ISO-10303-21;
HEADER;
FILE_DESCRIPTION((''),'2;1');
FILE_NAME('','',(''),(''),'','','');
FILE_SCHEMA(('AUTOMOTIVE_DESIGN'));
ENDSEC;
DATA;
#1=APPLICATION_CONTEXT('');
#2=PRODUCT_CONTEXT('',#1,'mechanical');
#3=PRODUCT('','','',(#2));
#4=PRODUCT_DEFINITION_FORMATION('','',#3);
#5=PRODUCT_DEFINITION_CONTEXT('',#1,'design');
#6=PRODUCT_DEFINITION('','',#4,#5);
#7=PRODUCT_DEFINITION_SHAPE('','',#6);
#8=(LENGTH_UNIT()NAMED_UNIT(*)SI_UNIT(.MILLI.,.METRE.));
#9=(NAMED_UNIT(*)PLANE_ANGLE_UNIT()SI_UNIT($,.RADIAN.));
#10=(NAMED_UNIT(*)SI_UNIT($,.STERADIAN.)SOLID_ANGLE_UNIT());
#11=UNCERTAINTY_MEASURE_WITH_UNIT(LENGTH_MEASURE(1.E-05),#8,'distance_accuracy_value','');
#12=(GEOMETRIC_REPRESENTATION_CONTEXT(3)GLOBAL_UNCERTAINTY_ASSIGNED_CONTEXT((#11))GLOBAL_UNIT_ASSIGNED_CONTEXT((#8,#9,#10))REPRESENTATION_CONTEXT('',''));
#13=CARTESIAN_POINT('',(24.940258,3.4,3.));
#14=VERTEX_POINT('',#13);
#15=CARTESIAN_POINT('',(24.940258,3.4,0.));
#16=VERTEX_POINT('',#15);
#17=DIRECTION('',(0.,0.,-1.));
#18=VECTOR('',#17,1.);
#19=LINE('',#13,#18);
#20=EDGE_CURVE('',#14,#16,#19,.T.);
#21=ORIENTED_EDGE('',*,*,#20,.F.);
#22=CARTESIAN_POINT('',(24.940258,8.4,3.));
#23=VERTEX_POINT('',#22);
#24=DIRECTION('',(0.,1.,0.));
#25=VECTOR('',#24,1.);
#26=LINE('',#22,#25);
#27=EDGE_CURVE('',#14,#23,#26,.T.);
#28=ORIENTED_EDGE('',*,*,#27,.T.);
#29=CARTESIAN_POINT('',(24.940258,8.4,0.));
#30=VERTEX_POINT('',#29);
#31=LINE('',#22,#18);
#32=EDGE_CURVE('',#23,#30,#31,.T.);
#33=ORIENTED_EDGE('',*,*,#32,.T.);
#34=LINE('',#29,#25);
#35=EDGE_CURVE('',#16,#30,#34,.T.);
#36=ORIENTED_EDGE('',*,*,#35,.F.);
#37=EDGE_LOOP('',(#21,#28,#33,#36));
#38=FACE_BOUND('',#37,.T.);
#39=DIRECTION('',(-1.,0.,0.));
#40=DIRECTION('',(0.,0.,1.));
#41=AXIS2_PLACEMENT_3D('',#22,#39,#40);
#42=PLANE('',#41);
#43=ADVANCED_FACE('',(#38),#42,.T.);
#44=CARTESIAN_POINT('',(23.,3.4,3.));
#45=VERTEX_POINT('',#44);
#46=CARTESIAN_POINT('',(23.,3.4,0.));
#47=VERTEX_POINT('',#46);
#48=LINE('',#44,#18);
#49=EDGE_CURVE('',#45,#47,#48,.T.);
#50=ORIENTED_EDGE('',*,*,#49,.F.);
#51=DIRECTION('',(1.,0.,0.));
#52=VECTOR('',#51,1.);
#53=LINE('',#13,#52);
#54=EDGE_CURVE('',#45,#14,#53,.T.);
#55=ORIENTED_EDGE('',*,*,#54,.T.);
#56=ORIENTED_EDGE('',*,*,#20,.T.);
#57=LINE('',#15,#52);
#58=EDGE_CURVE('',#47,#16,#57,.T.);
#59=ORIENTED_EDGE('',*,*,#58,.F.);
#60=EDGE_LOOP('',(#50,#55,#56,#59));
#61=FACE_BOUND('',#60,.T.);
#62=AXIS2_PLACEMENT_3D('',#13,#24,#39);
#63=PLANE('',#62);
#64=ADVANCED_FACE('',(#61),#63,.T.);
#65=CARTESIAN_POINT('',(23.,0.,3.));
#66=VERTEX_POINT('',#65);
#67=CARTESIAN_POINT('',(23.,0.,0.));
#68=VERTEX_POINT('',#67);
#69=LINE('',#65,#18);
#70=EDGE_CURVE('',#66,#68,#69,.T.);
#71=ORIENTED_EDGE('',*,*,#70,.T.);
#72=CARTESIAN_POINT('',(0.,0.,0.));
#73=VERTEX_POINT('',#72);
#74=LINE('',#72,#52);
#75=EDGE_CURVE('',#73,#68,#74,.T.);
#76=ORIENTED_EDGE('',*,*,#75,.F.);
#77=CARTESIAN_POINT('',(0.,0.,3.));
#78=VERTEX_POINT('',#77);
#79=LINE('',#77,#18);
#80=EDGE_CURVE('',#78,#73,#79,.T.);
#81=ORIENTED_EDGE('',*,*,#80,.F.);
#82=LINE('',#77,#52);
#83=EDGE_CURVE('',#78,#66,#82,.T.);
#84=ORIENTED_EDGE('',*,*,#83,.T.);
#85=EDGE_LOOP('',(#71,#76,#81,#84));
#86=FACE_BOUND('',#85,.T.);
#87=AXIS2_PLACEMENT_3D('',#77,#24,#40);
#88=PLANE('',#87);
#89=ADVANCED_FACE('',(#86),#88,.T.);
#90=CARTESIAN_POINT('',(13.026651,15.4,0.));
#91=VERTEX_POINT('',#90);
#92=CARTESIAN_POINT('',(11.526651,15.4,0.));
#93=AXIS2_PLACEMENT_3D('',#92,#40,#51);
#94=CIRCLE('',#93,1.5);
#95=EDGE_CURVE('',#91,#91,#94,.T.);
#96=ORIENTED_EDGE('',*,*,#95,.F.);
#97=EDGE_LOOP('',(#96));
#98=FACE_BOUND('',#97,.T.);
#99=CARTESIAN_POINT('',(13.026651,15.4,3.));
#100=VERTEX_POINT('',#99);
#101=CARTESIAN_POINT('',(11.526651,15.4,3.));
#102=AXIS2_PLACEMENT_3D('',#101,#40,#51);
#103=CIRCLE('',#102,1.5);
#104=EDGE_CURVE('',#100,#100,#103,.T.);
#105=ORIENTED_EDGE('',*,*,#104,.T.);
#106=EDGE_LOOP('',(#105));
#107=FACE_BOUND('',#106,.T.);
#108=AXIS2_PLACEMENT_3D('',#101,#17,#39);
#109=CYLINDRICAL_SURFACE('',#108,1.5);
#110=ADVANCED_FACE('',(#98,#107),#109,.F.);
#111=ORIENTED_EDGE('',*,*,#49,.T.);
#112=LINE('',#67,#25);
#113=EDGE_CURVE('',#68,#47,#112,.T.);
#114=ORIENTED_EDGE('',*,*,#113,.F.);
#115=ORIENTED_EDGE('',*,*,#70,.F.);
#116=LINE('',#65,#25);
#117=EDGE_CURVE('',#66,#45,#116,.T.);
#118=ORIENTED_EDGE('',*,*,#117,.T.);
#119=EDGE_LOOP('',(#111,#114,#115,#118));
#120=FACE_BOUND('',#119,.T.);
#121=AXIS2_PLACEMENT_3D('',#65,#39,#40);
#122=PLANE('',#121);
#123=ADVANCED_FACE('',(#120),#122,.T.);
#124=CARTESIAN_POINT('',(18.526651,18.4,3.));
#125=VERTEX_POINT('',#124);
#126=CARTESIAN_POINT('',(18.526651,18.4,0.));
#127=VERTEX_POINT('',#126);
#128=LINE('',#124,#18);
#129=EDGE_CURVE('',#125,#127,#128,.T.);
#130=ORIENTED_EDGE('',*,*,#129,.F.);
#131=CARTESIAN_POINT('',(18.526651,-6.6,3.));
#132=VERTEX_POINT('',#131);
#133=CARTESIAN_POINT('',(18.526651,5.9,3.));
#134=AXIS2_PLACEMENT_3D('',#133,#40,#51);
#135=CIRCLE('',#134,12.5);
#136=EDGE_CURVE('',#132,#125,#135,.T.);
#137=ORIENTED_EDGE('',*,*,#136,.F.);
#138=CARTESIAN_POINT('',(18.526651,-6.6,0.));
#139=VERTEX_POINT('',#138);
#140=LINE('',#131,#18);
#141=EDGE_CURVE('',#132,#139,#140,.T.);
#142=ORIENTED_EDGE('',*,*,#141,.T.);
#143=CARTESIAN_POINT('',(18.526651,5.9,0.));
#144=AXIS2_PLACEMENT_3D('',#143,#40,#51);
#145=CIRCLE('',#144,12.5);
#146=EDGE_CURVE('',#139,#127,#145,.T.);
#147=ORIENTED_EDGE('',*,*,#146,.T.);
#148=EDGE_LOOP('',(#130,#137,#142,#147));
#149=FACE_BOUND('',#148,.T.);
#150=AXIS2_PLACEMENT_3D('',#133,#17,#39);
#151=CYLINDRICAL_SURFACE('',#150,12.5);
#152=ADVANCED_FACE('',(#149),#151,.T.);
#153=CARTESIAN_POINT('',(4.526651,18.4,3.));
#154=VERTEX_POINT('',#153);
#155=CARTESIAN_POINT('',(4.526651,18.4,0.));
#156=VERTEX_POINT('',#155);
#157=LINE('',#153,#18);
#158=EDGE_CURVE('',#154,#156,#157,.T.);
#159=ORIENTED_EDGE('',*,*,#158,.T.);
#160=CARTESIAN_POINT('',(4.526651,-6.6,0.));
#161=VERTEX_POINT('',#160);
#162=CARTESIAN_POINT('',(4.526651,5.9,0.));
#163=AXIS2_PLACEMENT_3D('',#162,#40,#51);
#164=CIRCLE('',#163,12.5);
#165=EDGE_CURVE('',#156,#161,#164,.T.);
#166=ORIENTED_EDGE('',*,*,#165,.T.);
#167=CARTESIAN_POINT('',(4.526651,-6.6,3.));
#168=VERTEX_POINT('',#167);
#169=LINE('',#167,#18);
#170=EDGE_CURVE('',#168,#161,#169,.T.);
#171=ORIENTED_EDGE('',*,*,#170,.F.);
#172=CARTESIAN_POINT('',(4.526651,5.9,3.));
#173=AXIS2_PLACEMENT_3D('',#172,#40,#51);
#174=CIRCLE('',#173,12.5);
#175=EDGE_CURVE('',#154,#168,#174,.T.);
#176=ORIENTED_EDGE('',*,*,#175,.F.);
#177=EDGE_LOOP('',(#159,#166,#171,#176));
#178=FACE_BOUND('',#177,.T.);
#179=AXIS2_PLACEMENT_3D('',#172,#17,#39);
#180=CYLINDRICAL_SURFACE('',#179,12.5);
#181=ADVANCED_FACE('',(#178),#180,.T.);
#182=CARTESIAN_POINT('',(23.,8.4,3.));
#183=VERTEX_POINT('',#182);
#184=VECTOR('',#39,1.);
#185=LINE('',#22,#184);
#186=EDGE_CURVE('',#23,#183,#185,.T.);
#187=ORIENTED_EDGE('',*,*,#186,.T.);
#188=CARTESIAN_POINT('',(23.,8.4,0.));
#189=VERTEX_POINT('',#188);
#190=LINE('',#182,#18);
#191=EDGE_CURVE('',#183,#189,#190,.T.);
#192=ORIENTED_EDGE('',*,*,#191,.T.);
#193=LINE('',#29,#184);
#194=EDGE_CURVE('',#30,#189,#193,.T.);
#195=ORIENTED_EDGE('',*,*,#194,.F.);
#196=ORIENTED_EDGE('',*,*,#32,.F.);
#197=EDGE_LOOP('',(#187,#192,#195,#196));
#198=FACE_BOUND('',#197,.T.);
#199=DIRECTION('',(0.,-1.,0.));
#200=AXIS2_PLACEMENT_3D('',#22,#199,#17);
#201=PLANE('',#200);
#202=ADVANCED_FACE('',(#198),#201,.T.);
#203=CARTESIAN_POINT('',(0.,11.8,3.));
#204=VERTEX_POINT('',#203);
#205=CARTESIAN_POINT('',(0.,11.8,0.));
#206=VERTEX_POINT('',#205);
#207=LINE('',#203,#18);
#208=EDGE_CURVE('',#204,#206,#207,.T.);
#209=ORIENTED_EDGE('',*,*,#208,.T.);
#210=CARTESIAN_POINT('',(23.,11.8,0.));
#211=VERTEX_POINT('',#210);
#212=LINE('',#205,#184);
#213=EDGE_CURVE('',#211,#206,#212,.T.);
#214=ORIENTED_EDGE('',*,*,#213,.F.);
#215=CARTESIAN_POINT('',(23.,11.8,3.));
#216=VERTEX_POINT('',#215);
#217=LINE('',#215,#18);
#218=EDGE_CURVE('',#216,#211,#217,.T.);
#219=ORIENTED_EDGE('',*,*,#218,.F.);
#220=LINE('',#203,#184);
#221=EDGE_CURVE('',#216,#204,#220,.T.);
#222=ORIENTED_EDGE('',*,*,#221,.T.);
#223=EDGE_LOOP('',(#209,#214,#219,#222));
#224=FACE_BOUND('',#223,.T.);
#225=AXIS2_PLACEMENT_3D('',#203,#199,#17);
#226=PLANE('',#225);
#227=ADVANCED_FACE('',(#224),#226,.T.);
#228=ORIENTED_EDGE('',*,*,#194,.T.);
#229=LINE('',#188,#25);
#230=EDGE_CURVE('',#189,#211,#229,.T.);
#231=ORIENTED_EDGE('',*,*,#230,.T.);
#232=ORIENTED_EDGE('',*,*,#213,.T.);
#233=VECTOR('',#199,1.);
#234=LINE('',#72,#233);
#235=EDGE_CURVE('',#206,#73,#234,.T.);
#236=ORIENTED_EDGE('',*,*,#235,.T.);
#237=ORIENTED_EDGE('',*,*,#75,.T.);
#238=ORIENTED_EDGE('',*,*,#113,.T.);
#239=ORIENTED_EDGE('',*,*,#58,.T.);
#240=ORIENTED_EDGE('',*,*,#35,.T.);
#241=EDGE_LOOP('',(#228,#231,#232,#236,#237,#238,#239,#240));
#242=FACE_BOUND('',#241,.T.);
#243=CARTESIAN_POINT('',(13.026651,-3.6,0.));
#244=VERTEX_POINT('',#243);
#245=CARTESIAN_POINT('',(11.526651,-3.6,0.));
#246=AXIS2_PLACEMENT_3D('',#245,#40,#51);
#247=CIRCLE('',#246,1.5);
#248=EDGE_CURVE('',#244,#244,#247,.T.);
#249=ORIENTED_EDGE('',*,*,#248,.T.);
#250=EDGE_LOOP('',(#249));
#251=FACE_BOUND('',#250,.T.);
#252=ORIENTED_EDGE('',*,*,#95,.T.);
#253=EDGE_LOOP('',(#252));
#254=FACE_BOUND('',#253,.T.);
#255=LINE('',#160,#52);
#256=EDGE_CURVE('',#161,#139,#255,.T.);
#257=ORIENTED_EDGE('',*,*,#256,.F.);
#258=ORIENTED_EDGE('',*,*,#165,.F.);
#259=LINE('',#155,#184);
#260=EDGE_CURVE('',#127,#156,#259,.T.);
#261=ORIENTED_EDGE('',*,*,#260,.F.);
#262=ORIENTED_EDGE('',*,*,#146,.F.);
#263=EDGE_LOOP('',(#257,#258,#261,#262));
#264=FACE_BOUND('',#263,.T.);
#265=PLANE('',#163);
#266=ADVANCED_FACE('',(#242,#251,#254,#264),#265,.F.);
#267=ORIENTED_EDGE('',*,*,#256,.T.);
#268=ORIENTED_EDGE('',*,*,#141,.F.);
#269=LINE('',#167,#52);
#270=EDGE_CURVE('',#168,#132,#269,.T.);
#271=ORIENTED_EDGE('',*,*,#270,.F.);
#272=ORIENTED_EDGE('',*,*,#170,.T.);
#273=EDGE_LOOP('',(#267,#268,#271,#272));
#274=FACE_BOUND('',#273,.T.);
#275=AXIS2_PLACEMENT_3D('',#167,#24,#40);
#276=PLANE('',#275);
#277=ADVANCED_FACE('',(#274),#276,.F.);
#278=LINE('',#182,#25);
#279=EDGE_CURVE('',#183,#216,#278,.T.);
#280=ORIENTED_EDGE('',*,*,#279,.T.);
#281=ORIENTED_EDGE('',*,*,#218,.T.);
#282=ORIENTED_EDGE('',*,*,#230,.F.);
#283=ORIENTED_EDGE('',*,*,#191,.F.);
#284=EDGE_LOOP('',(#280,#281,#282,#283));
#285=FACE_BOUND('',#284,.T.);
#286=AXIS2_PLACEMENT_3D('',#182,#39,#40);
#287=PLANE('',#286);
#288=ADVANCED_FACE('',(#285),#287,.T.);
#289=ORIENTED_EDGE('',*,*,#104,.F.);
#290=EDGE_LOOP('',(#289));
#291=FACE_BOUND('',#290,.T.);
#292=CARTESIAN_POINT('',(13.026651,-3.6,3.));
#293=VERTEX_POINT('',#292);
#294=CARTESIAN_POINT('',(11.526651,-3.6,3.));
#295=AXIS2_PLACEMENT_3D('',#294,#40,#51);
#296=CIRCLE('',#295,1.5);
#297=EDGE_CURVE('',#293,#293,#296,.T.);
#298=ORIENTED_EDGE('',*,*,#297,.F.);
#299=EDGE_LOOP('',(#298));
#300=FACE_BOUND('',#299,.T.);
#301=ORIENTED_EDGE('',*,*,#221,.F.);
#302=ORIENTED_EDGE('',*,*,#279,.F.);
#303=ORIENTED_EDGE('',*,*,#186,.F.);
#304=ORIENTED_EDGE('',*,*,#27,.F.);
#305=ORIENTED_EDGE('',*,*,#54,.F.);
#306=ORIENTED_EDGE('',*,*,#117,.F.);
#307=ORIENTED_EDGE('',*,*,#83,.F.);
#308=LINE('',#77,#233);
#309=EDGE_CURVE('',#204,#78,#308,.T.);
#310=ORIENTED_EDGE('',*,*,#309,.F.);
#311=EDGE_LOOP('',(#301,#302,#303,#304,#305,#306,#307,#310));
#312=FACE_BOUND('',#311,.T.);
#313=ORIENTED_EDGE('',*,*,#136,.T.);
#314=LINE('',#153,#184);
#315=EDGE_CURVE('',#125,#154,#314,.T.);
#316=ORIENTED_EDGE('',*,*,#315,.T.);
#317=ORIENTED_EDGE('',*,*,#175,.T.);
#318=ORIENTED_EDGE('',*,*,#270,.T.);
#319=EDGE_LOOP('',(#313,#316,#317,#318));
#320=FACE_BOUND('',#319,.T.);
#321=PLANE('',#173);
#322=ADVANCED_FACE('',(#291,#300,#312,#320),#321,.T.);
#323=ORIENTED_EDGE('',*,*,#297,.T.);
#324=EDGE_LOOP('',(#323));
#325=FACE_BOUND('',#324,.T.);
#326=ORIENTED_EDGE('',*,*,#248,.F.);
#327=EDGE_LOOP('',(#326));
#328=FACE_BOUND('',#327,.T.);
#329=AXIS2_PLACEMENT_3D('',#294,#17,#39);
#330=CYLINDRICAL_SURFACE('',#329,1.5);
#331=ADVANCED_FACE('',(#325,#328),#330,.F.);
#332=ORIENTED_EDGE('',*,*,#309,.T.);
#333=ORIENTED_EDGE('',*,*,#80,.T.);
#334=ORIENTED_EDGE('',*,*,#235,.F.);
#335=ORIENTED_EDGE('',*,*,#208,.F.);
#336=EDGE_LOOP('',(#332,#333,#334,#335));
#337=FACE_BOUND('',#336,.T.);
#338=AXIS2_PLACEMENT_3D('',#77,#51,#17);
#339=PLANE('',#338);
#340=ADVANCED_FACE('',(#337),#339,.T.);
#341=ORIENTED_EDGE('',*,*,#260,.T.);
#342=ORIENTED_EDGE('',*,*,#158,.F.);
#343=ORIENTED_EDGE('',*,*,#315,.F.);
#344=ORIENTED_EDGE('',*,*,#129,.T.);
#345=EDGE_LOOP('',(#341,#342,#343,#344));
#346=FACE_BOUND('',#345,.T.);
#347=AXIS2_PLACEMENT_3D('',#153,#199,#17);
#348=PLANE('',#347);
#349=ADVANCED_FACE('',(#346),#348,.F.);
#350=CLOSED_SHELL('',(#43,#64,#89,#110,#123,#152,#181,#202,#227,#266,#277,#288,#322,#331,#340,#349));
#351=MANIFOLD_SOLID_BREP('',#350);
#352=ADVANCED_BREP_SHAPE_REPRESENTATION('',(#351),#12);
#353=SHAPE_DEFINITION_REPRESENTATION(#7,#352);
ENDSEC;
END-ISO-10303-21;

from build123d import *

# Parameters (mm, degrees)
ESQUISSE2_R        = 1.5
BOSS_EXTRU_2_DEPTH = 3


with BuildPart() as part:
    # Esquisse2 → Boss.-Extru.2 (new body)
    with BuildSketch(Plane.XY):
        with BuildLine():
            Line((4.526650681, 18.4), (18.526650681, 18.4))
            ThreePointArc((18.526650681, 18.4), (31.026650681, 5.9), (18.526650681, -6.6))
            Line((18.526650681, -6.6), (4.526650681, -6.6))
            ThreePointArc((4.526650681, -6.6), (-7.973349319, 5.9), (4.526650681, 18.4))
        make_face()
        with Locations((11.526650681, 15.4)):
            Circle(ESQUISSE2_R, mode=Mode.SUBTRACT)
        with Locations((11.526650681, -3.6)):
            Circle(ESQUISSE2_R, mode=Mode.SUBTRACT)
        Polygon((0, 0), (0, 11.8), (23, 11.8), (23, 8.4), (24.940257674, 8.4), (24.940257674, 3.4), (23, 3.4), (23, 0), align=None, mode=Mode.SUBTRACT)
    extrude(amount=BOSS_EXTRU_2_DEPTH)


solid = part.part
